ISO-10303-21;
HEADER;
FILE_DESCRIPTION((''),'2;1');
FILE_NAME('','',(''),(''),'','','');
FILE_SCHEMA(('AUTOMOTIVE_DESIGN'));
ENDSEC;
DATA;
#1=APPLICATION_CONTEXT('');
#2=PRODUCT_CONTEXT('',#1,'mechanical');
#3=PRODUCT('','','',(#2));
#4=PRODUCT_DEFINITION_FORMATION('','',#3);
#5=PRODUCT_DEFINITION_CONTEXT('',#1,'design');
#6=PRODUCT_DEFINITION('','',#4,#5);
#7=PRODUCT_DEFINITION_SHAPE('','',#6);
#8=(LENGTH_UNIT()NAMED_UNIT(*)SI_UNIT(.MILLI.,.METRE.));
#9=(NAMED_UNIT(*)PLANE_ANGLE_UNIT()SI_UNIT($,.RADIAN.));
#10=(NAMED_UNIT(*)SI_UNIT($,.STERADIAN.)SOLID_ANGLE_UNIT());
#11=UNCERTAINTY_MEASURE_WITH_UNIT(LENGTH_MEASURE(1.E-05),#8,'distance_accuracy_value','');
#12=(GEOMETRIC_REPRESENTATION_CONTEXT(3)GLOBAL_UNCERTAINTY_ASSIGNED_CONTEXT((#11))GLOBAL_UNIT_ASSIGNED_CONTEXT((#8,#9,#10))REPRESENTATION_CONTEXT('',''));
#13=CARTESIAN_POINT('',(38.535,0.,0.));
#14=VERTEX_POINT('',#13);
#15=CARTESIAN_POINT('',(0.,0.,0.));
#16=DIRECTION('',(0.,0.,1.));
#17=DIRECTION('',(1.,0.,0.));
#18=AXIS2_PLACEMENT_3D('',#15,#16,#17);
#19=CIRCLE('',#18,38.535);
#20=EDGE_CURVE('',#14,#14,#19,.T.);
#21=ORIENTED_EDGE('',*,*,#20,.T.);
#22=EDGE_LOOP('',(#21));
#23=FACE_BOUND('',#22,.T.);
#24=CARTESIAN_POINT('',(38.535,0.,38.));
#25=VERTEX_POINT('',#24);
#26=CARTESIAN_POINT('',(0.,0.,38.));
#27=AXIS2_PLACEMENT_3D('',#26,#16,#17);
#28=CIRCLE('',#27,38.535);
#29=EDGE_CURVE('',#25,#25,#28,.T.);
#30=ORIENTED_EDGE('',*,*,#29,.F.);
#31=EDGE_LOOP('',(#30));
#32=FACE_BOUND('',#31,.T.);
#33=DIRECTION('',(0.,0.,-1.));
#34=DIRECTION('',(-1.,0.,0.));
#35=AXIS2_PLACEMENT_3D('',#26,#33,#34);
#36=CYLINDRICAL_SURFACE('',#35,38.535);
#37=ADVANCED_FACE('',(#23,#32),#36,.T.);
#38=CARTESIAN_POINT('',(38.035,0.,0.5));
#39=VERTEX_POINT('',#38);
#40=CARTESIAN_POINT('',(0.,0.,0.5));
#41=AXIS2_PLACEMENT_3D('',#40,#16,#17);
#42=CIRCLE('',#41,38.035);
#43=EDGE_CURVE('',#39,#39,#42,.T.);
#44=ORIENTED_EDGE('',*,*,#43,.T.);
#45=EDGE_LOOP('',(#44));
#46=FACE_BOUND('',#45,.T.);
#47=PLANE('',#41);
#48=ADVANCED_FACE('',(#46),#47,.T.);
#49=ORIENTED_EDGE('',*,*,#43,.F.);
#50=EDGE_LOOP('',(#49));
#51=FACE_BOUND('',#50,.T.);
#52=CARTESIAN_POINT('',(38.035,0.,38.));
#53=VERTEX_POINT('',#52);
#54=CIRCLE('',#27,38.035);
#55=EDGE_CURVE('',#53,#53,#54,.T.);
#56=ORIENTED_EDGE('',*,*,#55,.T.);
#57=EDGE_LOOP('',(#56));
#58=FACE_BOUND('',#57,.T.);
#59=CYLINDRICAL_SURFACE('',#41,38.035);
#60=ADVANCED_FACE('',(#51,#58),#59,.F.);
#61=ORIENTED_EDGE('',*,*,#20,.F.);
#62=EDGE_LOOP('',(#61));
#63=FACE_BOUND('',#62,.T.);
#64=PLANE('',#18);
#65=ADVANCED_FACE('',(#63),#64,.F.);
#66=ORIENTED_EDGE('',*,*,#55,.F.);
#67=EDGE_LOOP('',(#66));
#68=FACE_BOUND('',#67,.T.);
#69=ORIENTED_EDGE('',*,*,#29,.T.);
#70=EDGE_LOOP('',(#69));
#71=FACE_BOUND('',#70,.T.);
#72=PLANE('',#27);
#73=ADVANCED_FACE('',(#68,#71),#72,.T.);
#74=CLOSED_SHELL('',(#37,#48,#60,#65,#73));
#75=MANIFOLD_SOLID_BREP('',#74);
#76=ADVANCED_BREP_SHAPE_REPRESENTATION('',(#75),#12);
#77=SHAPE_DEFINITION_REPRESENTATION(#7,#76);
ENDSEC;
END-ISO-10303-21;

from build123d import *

# Parameters (mm, degrees)
SKETCH2_R           = 38.535
BOSS_EXTRUDE1_DEPTH = 38
SKETCH3_R           = 38.035
CUT_EXTRUDE1_DEPTH  = 37.5


with BuildPart() as part:
    # Sketch2 → Boss-Extrude1 (new body)
    with BuildSketch(Plane.XY):
        Circle(SKETCH2_R)
    extrude(amount=BOSS_EXTRUDE1_DEPTH)

    # Sketch3 → Cut-Extrude1 (cut)
    with BuildSketch(Plane.XY.offset(38)):
        Circle(SKETCH3_R)
    extrude(amount=-CUT_EXTRUDE1_DEPTH, mode=Mode.SUBTRACT)


solid = part.part
